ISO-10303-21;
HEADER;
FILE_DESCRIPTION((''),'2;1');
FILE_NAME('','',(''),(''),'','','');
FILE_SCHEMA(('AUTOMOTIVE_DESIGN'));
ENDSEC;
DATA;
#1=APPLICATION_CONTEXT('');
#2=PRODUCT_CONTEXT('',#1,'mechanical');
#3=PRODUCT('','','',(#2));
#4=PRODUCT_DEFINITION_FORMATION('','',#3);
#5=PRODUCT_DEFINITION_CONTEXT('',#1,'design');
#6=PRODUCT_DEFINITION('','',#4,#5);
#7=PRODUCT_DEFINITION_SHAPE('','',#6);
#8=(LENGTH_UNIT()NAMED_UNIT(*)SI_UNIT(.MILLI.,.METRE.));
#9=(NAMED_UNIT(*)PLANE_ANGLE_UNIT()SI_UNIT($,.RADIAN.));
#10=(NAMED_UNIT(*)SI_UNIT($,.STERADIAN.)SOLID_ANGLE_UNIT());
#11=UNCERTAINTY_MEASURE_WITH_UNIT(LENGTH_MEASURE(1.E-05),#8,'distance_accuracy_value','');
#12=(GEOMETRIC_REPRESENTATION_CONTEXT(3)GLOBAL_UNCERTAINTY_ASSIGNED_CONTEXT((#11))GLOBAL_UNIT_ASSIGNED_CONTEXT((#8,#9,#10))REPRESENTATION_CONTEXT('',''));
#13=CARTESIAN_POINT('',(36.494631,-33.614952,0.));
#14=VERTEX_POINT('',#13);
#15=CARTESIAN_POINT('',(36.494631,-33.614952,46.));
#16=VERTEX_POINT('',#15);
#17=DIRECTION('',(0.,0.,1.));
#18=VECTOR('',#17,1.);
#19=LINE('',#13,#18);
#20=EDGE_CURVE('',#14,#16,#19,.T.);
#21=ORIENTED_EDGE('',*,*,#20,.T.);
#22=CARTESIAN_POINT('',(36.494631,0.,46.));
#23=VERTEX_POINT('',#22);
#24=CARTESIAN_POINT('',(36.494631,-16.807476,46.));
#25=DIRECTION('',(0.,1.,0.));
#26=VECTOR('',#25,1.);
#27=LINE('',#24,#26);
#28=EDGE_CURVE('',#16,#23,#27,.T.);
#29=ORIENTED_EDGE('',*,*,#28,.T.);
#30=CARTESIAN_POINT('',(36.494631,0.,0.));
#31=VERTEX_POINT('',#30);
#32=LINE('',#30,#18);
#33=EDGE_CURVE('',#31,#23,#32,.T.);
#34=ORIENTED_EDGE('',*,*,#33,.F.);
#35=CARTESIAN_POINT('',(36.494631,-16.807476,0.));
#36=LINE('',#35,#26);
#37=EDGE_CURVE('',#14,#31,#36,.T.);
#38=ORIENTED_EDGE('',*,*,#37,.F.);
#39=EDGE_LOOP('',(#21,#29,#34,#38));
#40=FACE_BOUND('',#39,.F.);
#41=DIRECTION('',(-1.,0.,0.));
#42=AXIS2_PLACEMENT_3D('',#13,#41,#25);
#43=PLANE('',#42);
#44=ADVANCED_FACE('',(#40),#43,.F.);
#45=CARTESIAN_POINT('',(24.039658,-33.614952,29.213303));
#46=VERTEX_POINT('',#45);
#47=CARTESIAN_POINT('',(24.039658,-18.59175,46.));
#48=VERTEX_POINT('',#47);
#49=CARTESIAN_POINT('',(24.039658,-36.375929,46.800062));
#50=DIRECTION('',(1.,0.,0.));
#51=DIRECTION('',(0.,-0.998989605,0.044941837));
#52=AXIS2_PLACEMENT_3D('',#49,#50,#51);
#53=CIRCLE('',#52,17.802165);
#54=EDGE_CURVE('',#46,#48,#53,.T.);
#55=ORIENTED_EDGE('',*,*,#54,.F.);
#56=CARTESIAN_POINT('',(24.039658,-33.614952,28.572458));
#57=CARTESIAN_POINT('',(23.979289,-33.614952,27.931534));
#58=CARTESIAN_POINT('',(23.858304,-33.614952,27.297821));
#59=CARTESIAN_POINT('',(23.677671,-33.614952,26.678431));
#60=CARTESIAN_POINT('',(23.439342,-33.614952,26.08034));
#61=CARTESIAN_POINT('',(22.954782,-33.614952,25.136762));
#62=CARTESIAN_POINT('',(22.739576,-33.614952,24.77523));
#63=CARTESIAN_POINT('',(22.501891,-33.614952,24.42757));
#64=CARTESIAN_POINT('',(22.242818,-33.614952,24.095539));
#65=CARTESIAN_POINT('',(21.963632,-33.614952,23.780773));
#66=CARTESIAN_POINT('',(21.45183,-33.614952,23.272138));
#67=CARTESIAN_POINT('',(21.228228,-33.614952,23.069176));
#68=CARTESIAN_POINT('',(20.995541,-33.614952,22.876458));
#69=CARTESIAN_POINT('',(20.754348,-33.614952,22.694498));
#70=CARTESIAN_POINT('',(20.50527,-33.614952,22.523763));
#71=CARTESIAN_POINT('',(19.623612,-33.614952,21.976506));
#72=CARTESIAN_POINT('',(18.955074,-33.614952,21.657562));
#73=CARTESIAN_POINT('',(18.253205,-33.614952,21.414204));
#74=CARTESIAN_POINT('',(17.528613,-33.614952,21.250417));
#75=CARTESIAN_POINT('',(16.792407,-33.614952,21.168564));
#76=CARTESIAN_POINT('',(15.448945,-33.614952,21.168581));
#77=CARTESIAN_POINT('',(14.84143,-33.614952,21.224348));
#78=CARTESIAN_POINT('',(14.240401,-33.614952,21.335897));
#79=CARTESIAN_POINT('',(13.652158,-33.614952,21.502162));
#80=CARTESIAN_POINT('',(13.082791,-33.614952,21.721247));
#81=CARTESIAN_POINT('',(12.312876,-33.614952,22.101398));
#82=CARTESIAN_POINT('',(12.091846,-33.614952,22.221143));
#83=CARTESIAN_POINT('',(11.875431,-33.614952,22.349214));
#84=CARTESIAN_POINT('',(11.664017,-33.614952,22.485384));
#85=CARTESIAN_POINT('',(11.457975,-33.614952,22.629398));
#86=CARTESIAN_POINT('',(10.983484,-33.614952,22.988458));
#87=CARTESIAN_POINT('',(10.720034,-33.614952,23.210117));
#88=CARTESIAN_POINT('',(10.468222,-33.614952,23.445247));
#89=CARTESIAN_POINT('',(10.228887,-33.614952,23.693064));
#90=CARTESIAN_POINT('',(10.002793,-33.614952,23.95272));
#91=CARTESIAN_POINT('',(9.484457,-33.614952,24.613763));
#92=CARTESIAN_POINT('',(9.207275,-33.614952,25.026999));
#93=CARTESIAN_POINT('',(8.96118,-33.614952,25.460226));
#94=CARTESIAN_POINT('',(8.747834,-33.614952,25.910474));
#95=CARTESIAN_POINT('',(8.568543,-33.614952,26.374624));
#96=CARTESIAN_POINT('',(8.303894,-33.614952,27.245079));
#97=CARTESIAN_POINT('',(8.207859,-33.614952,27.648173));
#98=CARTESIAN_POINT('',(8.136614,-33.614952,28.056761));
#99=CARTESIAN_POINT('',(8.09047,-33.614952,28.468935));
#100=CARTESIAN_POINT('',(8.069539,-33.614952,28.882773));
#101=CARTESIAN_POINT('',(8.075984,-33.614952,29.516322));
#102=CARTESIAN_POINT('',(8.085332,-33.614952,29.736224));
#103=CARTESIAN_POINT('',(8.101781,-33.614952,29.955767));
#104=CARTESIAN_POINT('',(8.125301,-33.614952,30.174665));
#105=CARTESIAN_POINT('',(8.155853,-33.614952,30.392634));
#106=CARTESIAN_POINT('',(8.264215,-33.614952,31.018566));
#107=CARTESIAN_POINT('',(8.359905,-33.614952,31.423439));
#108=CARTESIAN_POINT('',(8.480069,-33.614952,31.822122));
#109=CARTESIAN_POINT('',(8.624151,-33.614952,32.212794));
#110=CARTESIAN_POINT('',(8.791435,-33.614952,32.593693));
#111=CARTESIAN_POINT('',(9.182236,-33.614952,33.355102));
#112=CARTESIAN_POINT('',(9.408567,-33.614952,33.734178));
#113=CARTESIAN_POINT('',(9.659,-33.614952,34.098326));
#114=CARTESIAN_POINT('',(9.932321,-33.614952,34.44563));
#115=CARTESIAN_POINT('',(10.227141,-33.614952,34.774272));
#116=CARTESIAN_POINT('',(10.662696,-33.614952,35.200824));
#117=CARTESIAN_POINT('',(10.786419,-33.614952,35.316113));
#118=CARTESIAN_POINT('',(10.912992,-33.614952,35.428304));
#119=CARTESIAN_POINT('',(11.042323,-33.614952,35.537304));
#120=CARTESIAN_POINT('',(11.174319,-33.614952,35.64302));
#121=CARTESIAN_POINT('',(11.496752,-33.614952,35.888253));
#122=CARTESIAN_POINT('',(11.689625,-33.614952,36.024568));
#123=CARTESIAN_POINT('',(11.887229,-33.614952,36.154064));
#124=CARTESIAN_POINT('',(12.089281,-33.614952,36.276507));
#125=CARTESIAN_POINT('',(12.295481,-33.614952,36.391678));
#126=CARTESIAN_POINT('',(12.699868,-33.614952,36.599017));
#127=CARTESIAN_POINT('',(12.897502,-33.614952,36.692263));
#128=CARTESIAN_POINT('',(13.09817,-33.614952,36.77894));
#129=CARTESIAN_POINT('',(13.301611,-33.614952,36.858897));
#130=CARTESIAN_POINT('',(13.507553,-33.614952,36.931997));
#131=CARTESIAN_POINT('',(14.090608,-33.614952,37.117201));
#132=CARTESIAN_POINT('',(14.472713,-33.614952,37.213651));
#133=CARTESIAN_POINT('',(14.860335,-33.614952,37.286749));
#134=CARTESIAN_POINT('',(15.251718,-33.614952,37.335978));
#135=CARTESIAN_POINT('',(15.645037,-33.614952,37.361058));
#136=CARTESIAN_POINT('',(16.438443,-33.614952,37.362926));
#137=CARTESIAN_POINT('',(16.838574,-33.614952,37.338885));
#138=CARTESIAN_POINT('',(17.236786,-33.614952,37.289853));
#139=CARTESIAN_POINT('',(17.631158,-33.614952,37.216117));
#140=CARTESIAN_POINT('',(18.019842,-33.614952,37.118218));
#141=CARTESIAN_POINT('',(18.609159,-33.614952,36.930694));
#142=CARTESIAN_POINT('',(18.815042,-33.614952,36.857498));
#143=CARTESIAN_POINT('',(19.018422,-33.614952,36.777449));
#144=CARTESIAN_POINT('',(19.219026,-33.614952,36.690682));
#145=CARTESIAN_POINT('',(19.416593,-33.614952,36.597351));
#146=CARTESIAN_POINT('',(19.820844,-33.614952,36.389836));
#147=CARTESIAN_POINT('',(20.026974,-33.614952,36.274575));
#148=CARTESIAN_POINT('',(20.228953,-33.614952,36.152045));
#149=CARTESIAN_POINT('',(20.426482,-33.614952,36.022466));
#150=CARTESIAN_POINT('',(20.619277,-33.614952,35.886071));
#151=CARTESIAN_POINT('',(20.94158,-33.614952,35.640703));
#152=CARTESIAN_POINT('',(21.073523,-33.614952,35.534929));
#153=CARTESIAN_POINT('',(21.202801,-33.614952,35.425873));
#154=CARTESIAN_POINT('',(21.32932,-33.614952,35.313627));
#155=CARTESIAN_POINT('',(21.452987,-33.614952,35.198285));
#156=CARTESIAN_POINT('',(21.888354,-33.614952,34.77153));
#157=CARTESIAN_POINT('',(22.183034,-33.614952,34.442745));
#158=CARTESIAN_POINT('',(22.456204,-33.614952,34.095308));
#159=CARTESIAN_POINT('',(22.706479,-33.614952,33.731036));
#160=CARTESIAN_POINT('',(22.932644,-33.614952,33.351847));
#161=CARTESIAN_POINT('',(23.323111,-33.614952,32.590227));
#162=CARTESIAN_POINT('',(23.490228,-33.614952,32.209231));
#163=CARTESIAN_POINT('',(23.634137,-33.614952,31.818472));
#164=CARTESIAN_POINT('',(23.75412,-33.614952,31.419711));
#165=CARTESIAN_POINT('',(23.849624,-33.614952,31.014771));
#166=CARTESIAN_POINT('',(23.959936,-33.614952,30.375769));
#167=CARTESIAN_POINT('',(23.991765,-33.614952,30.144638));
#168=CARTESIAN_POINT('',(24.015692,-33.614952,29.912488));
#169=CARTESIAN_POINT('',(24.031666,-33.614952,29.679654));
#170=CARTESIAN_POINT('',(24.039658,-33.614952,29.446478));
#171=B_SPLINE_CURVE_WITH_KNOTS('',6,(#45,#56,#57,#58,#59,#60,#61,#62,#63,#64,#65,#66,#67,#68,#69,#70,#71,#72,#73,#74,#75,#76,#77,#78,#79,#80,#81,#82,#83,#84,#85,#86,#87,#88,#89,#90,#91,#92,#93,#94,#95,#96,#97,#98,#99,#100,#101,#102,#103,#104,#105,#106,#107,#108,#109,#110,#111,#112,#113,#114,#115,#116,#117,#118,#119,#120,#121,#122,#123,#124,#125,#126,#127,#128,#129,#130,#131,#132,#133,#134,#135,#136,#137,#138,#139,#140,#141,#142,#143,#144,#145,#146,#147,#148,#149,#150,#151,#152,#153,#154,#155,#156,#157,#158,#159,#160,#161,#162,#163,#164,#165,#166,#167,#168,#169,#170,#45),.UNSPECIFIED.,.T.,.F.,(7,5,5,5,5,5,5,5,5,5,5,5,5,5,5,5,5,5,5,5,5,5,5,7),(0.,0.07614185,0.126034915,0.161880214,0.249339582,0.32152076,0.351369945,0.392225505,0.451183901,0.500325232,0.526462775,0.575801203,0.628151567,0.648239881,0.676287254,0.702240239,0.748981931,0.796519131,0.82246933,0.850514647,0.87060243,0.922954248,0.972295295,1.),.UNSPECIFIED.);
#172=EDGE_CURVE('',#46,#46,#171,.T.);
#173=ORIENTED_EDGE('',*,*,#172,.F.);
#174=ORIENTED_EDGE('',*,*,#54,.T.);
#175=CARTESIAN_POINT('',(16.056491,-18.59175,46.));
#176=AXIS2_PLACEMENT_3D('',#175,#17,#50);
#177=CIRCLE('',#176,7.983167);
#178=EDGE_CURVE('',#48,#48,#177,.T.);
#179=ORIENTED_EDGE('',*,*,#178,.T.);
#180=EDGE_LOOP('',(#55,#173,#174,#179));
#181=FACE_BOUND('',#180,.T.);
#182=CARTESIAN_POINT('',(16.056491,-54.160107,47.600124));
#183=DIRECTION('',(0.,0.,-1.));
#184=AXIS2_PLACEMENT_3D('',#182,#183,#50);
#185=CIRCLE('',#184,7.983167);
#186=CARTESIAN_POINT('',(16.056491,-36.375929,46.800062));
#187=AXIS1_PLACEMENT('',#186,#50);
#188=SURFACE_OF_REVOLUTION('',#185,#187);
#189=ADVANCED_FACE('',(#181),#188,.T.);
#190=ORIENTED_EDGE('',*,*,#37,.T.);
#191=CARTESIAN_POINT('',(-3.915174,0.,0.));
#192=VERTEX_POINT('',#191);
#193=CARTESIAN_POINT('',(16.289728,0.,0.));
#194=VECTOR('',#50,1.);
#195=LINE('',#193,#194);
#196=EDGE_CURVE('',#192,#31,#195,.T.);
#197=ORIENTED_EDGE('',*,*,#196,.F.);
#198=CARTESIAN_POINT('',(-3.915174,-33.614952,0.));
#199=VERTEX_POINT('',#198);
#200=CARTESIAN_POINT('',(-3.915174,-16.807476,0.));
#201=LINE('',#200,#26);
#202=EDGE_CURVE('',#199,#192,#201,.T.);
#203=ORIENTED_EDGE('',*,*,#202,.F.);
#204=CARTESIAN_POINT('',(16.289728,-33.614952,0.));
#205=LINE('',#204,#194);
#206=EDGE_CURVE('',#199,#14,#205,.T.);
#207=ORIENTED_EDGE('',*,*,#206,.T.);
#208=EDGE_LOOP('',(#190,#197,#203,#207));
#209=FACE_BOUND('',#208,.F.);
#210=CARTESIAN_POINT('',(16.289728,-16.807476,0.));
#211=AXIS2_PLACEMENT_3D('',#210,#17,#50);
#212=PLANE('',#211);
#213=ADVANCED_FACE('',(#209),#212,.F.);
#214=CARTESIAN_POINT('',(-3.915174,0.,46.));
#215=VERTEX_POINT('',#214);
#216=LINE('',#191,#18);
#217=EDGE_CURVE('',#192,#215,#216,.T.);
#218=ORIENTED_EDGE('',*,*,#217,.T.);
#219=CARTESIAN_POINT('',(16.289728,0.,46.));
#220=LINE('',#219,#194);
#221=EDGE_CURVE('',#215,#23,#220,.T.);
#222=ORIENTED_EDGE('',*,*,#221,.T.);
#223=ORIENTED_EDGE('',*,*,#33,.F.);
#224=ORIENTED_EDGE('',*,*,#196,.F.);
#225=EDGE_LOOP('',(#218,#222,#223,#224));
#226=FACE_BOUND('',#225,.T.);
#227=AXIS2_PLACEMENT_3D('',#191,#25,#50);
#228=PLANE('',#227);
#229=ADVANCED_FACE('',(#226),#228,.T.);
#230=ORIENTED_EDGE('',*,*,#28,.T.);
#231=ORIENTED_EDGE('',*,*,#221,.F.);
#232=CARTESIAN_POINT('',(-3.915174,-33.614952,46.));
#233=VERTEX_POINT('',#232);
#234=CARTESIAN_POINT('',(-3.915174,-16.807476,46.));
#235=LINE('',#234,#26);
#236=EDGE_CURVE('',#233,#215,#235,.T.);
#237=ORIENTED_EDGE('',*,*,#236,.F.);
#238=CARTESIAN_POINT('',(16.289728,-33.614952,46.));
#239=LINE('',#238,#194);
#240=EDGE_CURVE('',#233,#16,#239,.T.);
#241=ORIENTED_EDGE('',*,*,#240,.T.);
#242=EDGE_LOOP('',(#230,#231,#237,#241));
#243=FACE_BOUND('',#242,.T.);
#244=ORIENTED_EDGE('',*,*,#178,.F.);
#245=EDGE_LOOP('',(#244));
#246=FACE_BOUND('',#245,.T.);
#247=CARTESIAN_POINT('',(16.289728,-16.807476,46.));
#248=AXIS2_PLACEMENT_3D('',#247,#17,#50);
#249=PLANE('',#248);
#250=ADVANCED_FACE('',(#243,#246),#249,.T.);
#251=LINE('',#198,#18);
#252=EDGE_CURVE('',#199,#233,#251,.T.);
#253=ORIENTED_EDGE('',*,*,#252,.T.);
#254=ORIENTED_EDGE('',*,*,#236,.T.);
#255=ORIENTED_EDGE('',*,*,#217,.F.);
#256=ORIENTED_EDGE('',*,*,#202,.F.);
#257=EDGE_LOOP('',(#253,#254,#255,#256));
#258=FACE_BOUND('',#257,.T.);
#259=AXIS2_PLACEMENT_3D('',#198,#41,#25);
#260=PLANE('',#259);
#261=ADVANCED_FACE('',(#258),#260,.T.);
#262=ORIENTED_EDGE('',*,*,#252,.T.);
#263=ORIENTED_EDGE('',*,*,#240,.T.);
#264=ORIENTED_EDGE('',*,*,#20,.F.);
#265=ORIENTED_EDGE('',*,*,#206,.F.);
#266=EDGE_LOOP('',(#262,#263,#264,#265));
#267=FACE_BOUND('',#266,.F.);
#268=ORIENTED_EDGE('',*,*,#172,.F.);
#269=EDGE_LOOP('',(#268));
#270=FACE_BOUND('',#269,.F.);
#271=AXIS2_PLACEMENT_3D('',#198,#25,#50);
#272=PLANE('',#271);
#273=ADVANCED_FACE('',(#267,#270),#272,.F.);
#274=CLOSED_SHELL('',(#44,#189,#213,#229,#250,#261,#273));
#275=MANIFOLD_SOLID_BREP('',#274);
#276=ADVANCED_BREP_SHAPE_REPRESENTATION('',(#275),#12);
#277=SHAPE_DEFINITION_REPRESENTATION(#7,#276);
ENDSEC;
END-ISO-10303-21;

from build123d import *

# Parameters (mm, degrees)
F0_W     = 40.4098057188
F0_H     = 33.6149521172
F1_DEPTH = 46
F2_R     = 7.9831672634


with BuildPart() as f1:
    # F0 (on Top) → F1 (new body)
    with BuildSketch(Plane.XY):
        with Locations((16.2897284608, -16.8074760586)):
            Rectangle(F0_W, F0_H)
    extrude(amount=F1_DEPTH)

    # F5: sweep along a path in F4
    with BuildLine(Plane.YZ.offset(16.056491062)) as f5_path:
        ThreePointArc((-54.1601069272, 47.6001240313), (-37.1759906858, 29.0158837587), (-18.5917504132, 46))
    # F2 (on face) → F5 (sweep, cut)
    with BuildSketch(Plane.XY.offset(46)):
        with Locations((16.056491062, -18.5917504132)):
            Circle(F2_R)
    sweep(path=f5_path.line, mode=Mode.SUBTRACT)


solid = f1.part
